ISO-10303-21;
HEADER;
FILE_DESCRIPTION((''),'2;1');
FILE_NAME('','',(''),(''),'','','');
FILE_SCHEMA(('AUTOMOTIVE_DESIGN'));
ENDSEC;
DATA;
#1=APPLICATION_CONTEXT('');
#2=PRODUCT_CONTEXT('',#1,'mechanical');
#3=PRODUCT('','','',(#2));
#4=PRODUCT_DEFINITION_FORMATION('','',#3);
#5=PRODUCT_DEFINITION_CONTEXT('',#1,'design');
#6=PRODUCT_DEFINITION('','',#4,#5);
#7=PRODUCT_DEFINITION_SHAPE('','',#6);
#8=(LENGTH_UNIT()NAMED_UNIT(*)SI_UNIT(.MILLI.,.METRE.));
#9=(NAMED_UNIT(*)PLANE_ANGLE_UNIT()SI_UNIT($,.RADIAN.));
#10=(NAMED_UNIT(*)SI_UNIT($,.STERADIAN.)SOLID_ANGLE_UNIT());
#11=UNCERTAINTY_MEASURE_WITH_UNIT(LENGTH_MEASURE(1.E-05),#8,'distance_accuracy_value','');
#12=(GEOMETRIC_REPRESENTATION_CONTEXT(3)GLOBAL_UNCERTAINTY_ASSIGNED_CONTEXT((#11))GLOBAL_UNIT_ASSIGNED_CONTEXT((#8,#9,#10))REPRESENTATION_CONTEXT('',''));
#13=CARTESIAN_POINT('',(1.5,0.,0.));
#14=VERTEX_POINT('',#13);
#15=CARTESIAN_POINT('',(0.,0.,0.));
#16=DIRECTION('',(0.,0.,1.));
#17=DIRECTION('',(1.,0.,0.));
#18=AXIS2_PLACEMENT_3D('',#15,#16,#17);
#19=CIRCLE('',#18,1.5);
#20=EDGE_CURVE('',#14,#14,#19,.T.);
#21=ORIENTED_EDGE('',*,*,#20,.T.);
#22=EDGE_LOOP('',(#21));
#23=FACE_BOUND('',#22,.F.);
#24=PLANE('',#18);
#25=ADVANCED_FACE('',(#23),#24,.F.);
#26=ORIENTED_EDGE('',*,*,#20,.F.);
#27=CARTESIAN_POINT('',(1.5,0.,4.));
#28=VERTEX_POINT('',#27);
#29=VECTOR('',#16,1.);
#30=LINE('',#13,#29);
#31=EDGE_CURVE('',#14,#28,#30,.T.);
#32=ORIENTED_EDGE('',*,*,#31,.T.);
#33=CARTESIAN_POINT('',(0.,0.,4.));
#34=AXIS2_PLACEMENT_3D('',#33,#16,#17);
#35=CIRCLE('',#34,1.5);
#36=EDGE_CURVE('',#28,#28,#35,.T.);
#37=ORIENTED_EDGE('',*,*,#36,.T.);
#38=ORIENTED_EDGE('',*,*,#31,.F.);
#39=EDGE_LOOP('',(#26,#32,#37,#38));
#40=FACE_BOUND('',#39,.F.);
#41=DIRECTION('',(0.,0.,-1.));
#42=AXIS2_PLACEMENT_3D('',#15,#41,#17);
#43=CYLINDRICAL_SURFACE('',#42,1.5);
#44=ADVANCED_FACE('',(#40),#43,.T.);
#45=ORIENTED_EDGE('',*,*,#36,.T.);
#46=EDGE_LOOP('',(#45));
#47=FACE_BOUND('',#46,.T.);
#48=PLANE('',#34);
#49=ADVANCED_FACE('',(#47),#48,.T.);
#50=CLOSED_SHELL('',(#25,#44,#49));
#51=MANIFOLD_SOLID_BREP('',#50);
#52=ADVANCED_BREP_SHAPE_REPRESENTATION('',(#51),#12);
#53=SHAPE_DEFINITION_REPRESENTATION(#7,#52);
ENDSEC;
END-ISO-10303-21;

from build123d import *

# Parameters (mm, degrees)
SKETCH_1_R      = 1.5
EXTRUDE_1_DEPTH = 4


with BuildPart() as part:
    # 草图1 → 凸台-拉伸1 (new body)
    with BuildSketch(Plane.XY):
        Circle(SKETCH_1_R)
    extrude(amount=EXTRUDE_1_DEPTH)


solid = part.part
